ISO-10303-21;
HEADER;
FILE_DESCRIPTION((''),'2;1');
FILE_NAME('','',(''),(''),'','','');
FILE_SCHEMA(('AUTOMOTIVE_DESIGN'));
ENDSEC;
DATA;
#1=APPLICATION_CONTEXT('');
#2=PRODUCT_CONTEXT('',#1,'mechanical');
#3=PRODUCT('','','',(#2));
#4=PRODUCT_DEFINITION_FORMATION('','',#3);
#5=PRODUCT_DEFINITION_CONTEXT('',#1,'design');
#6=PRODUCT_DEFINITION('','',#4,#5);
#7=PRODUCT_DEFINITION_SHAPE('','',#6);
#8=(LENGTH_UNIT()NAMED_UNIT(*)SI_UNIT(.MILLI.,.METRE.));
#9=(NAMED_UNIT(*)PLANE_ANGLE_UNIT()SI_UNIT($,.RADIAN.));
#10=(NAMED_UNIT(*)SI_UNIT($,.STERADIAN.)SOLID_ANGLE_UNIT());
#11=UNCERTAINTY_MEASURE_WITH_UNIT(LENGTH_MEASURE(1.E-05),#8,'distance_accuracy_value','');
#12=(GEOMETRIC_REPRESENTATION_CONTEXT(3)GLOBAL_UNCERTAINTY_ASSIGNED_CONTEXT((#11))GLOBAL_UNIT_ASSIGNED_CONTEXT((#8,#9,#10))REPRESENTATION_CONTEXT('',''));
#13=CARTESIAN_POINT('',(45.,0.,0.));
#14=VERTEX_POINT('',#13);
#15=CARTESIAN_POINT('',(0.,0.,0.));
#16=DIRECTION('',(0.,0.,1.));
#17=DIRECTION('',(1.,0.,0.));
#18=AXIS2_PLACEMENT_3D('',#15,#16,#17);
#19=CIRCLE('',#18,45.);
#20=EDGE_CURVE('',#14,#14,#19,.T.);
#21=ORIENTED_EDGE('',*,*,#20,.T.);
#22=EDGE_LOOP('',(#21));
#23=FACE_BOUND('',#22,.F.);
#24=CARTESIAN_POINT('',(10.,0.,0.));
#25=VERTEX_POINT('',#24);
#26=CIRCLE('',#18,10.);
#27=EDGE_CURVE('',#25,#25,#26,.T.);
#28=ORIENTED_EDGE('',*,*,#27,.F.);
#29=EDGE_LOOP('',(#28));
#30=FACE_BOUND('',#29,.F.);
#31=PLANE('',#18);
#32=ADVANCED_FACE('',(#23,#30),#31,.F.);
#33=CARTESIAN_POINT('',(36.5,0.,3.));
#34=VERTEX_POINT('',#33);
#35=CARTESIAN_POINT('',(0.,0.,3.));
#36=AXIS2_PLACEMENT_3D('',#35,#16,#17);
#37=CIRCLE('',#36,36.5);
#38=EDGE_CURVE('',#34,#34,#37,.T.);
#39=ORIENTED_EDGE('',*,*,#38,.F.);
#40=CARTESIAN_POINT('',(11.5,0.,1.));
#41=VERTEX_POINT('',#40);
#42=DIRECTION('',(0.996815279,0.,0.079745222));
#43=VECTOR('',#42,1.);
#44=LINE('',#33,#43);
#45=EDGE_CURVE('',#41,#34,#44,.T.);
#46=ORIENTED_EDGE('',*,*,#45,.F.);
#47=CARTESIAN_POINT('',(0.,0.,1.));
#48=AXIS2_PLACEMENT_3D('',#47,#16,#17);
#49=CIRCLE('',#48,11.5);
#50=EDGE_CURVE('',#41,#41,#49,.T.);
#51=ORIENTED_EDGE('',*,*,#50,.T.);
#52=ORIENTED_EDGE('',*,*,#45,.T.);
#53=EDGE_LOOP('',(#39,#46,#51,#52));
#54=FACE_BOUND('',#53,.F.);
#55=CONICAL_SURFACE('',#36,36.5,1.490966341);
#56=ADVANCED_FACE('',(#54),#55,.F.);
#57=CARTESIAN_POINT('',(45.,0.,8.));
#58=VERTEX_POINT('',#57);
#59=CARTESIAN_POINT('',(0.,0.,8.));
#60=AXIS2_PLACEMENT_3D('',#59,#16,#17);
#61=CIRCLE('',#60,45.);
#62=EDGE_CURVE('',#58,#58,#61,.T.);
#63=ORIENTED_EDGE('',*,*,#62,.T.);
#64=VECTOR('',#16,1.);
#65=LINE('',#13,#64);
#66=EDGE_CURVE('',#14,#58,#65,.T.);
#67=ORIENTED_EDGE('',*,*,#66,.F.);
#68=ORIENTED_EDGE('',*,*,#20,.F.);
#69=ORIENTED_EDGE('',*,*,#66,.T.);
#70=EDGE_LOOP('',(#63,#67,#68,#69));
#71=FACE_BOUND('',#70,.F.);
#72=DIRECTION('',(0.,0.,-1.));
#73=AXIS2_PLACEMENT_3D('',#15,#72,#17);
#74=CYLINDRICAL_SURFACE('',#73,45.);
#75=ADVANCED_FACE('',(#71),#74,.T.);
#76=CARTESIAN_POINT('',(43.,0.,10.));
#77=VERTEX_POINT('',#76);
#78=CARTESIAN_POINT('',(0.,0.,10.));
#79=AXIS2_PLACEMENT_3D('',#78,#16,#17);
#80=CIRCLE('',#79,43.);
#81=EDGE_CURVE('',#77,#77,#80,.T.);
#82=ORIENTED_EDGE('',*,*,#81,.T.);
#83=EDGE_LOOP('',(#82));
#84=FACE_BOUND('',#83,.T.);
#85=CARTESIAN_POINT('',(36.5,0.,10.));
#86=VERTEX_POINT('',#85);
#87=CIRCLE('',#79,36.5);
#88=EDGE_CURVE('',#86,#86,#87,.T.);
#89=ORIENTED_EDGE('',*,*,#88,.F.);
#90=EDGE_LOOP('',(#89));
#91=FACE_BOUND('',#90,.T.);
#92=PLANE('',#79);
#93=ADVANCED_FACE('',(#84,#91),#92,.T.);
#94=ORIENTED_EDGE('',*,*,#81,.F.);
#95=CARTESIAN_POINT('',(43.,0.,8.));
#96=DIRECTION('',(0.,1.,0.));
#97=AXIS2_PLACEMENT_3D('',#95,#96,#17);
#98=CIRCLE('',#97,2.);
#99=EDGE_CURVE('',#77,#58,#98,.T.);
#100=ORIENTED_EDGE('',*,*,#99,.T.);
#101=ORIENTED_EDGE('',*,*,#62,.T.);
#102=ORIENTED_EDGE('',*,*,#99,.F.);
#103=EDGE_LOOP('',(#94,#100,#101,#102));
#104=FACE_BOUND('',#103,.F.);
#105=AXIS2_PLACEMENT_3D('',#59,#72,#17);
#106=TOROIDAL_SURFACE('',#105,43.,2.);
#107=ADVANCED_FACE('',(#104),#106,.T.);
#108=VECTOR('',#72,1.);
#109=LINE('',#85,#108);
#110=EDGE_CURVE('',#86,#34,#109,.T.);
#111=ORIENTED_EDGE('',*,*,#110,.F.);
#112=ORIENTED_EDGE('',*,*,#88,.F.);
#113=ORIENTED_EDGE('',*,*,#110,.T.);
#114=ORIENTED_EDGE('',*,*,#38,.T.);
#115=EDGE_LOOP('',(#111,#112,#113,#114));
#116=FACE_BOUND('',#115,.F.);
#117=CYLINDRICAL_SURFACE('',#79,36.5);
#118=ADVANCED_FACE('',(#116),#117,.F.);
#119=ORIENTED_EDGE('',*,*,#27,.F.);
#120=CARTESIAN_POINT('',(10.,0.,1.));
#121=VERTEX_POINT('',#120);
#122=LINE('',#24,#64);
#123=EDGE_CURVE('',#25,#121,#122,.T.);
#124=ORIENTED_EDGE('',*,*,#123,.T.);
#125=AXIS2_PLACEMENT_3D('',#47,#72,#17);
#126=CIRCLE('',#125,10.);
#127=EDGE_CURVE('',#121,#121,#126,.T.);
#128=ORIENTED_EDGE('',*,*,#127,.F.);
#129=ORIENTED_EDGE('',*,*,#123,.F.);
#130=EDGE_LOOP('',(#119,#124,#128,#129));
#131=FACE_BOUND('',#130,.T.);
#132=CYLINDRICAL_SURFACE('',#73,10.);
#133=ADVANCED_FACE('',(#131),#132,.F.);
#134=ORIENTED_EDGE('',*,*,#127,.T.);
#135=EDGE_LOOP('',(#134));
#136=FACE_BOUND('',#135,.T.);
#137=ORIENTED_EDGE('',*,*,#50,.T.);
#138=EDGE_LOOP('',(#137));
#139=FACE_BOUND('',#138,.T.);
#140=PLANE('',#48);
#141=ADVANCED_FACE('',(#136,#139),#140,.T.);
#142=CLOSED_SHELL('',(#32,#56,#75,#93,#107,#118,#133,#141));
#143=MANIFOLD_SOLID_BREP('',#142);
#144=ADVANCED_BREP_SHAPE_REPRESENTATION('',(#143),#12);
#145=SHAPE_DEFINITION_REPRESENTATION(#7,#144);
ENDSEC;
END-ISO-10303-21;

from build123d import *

# Parameters (mm, degrees)
F0_R     = 45
F0_R_2   = 10
F1_DEPTH = 10
F2_R     = 36.5
F3_DEPTH = 9
F4_SIZE2 = 2
F4_SIZE  = 25
F5_R     = 2


with BuildPart() as f1:
    # F0 (on Top) → F1 (new body)
    with BuildSketch(Plane.XY):
        Circle(F0_R)
        Circle(F0_R_2, mode=Mode.SUBTRACT)
    extrude(amount=F1_DEPTH)

    # F2 (on face) → F3 (cut)
    with BuildSketch(Plane.XY.offset(10)):
        Circle(F2_R)
    extrude(amount=-F3_DEPTH, mode=Mode.SUBTRACT)

    # F4
    f4_edges = [f1.edges().sort_by_distance(p)[0] for p in [
        (-36.5, 0, 1),
    ]]
    f4_side = f1.faces().sort_by_distance((-35.467624, 0, 1))[0]
    chamfer(f4_edges, length=F4_SIZE, length2=F4_SIZE2, reference=f4_side)

    # F5
    f5_edges = [f1.edges().sort_by_distance(p)[0] for p in [
        (-45, 0, 10),
    ]]
    fillet(f5_edges, radius=F5_R)


solid = f1.part
